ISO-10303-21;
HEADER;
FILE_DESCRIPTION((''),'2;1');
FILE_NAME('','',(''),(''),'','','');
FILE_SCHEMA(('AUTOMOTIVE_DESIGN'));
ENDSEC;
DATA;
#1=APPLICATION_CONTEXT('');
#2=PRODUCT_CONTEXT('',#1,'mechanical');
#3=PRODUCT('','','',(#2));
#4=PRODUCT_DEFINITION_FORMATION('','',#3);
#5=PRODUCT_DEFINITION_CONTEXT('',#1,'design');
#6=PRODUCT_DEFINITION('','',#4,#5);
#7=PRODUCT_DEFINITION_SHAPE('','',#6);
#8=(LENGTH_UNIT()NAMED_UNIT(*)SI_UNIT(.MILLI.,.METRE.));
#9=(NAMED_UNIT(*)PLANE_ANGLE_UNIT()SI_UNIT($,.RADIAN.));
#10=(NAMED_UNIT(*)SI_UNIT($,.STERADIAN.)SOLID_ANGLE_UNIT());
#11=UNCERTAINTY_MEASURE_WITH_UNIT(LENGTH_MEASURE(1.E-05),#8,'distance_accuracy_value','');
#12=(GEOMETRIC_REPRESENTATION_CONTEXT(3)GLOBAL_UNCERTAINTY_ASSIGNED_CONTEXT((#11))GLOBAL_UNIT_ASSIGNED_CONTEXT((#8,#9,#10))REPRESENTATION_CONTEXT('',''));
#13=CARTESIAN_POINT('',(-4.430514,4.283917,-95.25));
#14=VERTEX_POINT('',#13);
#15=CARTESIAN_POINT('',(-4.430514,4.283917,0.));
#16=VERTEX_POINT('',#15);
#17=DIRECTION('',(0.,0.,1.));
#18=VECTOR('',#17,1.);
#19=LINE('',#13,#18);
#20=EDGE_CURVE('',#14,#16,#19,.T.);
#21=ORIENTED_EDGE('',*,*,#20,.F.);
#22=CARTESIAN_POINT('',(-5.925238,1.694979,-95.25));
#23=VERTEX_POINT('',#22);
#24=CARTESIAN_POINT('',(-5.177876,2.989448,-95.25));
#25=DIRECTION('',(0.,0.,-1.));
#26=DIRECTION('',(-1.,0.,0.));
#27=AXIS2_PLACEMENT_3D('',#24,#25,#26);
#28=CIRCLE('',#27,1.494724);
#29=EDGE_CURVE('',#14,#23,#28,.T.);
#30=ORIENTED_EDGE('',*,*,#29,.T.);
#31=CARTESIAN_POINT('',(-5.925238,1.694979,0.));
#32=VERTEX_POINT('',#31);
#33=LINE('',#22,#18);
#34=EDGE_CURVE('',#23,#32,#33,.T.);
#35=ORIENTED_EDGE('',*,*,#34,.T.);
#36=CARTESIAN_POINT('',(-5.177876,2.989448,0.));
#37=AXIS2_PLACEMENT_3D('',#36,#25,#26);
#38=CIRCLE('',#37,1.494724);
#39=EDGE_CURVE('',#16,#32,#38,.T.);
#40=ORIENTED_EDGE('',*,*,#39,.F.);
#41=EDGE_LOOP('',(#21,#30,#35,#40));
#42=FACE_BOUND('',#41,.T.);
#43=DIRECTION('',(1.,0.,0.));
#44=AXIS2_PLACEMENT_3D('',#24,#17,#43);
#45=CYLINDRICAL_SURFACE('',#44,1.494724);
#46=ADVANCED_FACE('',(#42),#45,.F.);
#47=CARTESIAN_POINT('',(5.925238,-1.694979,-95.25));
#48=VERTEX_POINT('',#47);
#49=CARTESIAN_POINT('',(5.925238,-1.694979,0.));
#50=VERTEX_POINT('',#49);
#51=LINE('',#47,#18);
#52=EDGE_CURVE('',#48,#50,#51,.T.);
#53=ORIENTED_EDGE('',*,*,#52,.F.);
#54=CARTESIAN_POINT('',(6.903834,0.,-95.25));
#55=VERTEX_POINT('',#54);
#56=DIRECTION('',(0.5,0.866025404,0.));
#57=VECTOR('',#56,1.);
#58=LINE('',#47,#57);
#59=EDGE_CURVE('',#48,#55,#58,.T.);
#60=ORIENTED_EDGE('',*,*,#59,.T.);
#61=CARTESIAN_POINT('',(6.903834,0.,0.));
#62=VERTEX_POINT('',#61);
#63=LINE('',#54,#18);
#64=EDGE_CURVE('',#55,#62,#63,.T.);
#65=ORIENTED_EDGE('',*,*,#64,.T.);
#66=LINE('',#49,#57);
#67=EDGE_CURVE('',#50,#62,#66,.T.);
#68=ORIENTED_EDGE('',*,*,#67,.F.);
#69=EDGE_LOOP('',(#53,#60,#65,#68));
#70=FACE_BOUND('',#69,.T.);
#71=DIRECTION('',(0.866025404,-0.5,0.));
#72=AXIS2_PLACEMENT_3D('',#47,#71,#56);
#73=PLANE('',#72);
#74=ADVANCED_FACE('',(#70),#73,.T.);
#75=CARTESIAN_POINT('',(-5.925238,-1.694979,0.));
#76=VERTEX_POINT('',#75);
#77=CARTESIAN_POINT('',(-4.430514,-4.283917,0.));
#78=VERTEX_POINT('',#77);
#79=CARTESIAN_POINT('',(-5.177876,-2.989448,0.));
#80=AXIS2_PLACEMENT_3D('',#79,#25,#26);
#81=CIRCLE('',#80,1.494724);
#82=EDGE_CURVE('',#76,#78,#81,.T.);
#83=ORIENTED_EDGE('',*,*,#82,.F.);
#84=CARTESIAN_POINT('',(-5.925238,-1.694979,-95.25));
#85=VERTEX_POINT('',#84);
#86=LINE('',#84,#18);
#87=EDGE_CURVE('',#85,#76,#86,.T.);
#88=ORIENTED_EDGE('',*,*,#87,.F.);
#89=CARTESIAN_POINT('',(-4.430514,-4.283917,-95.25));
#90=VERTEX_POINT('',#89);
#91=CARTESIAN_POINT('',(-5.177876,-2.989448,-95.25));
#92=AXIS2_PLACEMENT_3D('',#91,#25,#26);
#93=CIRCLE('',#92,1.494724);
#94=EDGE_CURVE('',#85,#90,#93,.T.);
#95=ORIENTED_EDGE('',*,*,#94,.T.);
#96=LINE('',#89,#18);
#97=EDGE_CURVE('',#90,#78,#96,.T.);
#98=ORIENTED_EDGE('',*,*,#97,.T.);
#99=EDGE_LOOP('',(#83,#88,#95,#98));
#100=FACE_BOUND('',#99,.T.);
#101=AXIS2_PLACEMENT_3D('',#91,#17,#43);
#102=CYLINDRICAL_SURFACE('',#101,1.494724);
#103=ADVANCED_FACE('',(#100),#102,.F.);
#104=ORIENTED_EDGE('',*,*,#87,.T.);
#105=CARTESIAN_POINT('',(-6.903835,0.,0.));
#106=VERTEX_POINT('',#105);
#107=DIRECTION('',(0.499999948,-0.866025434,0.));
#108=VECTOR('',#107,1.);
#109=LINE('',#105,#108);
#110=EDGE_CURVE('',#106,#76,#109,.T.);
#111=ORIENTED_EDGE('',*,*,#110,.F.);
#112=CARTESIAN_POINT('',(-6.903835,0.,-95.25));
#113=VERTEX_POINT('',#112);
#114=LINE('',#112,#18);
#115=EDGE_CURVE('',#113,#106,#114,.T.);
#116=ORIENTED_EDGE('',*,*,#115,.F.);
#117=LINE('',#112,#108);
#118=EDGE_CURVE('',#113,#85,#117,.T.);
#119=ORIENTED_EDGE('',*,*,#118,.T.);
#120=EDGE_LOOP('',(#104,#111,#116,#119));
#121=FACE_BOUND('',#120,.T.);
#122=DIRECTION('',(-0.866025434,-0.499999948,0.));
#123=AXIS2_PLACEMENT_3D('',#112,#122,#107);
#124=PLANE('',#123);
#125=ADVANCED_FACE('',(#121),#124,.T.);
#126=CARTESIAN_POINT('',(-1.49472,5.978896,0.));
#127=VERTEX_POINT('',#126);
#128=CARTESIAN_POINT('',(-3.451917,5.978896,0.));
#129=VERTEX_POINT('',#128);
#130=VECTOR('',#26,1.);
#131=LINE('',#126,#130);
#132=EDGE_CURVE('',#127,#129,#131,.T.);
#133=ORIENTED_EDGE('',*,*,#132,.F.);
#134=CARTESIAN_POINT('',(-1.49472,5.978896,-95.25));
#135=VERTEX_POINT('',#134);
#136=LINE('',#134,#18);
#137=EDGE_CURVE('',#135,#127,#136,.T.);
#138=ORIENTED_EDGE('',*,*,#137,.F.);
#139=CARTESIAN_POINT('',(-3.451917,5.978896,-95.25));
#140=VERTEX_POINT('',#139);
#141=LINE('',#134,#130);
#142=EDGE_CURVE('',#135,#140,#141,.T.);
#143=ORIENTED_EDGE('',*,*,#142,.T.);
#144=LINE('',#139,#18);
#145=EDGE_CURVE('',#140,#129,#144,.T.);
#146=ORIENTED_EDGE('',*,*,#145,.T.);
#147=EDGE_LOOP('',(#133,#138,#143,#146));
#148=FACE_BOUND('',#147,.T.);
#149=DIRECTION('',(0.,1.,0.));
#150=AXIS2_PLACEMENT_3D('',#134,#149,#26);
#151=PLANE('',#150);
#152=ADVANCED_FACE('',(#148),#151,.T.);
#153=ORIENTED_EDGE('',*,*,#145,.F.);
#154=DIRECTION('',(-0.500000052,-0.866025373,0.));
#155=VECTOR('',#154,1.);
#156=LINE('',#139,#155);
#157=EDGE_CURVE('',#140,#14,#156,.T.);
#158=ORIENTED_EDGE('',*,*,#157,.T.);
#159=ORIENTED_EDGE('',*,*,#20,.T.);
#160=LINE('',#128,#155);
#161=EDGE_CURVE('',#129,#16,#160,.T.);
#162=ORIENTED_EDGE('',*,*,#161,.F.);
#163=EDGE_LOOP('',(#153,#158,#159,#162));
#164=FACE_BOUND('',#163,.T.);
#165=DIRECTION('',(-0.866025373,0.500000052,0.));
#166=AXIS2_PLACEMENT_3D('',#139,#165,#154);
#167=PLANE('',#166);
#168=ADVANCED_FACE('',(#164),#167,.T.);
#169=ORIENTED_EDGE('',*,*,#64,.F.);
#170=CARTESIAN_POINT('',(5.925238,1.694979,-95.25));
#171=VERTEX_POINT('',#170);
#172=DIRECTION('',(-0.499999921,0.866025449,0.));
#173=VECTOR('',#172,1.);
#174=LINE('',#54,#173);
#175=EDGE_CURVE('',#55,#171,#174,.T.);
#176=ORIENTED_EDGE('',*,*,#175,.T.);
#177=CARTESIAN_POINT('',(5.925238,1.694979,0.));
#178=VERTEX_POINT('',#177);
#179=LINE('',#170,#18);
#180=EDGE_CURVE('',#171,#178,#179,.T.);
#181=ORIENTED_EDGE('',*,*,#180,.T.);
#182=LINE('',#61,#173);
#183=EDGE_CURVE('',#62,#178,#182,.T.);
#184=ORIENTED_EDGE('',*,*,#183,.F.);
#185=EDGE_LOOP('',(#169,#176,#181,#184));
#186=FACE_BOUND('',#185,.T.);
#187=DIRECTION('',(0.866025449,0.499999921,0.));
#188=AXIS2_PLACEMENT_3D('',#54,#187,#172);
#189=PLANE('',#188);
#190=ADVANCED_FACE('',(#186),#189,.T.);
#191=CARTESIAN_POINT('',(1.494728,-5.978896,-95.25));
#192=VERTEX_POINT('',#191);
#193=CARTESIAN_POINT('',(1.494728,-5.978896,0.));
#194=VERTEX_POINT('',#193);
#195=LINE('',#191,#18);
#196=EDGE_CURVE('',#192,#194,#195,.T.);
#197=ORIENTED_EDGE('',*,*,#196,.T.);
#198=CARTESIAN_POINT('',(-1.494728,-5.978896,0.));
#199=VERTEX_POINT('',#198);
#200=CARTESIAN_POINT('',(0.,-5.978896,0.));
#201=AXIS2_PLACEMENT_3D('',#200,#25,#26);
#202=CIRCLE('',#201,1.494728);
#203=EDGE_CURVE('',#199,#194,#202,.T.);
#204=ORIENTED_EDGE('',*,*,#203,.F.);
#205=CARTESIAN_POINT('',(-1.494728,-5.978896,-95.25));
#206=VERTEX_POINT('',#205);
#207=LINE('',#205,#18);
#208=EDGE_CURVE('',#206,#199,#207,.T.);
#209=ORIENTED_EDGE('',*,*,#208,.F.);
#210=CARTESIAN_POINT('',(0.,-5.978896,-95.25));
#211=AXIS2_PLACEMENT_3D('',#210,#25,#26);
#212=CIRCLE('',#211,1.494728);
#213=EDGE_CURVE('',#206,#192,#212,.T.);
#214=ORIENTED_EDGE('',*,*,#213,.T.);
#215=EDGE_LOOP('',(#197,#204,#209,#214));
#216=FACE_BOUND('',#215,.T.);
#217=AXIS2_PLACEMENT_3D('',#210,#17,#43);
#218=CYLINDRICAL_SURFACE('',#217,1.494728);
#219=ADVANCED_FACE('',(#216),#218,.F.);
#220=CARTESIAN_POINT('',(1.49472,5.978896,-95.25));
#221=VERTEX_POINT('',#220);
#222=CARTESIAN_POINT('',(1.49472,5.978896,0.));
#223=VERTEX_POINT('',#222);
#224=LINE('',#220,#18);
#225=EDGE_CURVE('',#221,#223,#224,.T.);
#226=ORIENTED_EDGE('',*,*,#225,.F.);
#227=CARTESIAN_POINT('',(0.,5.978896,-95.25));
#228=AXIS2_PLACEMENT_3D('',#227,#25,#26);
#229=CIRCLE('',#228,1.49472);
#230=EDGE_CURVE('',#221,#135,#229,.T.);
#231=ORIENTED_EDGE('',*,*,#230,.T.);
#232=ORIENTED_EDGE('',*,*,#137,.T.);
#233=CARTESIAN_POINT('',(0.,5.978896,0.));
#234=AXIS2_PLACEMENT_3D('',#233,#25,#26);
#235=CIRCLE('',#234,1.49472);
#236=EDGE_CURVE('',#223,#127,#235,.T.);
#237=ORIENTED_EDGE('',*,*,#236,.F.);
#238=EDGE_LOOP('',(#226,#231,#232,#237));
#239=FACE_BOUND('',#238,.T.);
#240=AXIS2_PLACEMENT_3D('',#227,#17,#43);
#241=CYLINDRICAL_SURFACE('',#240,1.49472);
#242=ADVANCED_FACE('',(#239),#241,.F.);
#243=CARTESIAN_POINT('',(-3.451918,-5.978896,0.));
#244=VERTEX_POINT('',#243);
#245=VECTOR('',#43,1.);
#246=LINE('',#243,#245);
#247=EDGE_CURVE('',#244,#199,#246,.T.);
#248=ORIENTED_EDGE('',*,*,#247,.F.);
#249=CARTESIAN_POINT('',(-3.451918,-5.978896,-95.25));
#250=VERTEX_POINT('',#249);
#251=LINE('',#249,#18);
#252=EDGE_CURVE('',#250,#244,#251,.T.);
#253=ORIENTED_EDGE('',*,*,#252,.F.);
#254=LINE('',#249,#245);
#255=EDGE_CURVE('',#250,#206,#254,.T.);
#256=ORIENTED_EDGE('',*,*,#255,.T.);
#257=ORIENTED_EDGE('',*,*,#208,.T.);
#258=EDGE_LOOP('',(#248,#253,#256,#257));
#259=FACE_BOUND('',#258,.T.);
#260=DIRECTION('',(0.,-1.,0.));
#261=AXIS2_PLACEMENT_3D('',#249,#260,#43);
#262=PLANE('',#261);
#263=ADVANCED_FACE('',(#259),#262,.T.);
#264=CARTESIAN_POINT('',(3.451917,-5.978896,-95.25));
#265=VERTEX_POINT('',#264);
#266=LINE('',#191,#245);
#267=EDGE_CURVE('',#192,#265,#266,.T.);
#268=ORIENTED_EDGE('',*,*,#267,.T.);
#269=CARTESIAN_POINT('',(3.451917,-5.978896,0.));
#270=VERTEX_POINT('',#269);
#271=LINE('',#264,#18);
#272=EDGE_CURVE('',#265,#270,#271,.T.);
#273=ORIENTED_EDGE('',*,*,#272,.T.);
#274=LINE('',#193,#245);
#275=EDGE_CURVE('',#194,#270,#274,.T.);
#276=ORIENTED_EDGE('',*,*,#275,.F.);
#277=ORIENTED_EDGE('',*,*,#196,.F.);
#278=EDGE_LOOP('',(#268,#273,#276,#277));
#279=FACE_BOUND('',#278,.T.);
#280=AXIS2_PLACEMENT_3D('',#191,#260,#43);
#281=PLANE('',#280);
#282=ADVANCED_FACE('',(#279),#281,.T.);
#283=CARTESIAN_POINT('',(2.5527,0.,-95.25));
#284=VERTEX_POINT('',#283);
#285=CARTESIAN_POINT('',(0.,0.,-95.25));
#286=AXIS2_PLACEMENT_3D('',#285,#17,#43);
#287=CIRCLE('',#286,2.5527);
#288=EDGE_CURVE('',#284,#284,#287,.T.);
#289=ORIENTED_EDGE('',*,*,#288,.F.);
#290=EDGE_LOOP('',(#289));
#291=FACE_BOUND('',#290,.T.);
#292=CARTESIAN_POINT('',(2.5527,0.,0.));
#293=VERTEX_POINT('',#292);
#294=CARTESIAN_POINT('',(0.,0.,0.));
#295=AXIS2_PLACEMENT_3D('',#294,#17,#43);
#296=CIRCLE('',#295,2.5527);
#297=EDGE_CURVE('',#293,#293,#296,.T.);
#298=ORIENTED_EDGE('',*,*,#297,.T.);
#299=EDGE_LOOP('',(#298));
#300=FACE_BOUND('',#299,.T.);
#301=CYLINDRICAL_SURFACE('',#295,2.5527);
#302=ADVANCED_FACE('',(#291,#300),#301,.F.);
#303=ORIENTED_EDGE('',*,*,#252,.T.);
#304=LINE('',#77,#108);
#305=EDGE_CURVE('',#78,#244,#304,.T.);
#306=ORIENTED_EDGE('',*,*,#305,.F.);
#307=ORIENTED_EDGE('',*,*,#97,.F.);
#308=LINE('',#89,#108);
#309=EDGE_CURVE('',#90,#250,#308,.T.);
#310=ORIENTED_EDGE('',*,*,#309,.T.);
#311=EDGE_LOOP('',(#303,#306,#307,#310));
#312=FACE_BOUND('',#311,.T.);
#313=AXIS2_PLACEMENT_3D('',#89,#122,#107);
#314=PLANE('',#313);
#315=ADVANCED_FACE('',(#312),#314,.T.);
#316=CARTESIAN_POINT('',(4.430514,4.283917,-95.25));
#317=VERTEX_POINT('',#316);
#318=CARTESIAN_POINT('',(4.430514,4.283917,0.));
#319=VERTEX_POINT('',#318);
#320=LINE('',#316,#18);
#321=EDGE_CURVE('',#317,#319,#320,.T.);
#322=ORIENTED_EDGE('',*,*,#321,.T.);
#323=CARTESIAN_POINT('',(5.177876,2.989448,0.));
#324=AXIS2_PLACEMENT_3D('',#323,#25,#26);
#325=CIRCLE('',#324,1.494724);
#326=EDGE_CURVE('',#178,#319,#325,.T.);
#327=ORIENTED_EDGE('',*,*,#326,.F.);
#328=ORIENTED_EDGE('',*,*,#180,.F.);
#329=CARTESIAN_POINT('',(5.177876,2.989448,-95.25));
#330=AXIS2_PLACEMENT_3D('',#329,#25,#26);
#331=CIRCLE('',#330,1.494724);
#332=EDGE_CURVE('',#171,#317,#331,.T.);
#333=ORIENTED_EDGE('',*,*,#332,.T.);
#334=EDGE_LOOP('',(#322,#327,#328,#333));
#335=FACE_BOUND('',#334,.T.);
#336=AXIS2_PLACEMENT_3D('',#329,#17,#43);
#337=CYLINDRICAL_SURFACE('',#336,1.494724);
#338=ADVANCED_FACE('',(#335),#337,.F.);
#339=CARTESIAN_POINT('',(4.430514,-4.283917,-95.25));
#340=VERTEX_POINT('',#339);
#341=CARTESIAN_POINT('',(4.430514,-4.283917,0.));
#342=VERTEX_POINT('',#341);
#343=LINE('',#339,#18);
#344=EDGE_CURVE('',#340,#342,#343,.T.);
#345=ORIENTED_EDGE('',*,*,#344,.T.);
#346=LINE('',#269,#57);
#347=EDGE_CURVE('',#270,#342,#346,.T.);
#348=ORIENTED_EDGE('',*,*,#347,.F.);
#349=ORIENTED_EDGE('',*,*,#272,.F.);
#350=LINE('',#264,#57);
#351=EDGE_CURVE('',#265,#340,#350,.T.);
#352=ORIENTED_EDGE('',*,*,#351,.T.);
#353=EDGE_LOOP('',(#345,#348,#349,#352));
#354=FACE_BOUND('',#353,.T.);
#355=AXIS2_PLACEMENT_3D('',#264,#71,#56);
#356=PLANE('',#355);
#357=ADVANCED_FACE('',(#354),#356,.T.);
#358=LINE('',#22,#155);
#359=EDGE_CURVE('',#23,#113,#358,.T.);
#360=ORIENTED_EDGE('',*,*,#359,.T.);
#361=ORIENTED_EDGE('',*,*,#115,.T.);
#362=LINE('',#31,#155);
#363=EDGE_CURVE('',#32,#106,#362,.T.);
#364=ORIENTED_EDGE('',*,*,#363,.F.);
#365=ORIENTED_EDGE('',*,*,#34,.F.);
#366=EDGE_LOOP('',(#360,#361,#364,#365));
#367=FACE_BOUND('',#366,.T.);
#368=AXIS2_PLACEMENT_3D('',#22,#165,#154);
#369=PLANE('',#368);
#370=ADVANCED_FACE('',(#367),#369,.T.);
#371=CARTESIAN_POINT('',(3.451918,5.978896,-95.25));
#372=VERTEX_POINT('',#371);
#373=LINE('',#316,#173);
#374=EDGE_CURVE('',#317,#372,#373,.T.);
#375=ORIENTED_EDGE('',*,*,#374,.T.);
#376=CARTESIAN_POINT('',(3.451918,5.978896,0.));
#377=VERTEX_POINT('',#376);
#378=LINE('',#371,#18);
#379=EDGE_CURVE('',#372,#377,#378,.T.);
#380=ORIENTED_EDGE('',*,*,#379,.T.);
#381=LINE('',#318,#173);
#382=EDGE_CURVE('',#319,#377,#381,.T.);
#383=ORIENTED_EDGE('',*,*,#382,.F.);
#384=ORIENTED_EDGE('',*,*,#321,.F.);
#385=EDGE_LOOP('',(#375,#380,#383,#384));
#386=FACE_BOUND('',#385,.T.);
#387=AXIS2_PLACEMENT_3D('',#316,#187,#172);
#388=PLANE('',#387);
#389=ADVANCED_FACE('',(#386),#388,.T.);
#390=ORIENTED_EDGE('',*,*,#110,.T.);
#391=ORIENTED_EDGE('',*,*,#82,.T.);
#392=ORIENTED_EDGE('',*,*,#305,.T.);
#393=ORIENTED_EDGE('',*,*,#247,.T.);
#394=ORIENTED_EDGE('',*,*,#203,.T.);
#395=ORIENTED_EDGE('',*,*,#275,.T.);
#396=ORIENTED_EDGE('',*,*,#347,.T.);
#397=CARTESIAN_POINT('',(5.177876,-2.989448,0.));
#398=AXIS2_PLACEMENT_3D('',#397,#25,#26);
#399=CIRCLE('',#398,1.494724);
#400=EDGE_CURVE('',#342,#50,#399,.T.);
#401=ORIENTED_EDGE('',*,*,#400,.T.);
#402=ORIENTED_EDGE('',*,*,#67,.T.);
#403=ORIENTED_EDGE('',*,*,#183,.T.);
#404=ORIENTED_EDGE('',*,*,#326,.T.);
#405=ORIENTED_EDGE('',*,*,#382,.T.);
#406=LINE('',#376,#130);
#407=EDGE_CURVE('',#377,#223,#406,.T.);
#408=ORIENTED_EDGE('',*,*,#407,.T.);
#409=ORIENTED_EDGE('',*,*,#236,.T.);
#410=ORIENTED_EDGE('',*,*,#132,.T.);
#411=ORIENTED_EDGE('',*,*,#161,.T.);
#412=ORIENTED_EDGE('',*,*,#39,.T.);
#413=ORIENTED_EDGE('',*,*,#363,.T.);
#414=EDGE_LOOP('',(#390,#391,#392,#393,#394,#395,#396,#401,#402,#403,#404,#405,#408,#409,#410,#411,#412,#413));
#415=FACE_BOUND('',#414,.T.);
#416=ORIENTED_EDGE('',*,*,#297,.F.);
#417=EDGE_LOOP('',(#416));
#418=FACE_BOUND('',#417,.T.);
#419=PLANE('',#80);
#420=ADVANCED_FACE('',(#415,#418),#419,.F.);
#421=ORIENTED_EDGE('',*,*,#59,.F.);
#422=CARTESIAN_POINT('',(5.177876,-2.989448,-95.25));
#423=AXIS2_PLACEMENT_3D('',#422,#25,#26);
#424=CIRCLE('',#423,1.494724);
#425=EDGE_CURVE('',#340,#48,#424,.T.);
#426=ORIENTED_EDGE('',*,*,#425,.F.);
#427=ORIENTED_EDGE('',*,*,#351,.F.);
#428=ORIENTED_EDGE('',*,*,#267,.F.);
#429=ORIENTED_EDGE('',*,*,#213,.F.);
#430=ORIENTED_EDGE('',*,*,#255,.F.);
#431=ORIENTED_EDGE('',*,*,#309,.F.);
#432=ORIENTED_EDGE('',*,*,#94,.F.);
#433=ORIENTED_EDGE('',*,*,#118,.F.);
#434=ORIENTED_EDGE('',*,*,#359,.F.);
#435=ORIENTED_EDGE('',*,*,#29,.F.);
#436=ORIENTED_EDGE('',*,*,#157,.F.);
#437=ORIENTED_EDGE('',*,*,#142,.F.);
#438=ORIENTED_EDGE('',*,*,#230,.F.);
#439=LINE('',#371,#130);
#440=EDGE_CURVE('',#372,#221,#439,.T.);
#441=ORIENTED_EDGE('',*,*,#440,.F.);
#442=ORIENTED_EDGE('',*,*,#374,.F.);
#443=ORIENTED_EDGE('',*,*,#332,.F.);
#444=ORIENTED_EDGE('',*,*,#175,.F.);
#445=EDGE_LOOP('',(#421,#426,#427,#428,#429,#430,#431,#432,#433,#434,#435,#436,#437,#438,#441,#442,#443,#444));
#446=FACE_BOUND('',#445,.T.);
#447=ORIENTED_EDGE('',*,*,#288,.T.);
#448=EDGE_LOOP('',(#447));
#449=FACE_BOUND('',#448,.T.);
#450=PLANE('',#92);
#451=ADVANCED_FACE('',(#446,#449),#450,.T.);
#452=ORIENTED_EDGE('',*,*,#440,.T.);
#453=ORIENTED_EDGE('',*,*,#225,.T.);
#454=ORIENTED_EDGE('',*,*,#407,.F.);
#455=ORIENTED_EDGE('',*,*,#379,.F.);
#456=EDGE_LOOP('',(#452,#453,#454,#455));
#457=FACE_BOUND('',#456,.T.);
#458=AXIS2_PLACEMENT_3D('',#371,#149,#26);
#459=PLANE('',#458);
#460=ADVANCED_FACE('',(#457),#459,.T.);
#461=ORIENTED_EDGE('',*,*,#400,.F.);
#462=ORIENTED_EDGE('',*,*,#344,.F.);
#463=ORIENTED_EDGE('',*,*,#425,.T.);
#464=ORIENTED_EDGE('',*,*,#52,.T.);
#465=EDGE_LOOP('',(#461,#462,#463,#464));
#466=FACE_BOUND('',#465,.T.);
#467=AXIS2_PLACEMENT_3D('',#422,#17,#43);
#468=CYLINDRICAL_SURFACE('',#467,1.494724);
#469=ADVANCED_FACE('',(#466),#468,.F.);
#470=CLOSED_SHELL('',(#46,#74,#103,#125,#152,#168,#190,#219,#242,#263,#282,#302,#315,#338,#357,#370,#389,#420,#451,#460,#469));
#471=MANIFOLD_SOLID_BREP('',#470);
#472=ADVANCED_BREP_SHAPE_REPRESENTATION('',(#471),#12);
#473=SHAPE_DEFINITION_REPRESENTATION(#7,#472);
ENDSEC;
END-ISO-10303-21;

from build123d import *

# Parameters (mm, degrees)
SKETCH1_R               = 1.5875
BOSS_EXTRUDE1_DEPTH     = 95.25
F_1_4_20_TAPPED_HOLE2_D = 5.1054


with BuildPart() as part:
    # Sketch1 → Boss-Extrude1 (new body)
    with BuildSketch(Plane.XY):
        with BuildLine():
            Line((-4.430514159, -4.283916762), (-3.451917569, -5.978896013))
            Line((-3.451917569, -5.978896013), (-1.49472801, -5.978896013))
            ThreePointArc((-1.49472801, -5.978896013), (-3.62e-07, -4.484168365), (1.49472801, -5.978896013))
            Line((1.49472801, -5.978896013), (3.451916913, -5.978896013))
            Line((3.451916913, -5.978896013), (4.430513537, -4.28391694))
            ThreePointArc((4.430513537, -4.28391694), (3.883406572, -2.242085948), (5.925237563, -1.694978983))
            Line((5.925237563, -1.694978983), (6.903834188, 9.1e-08))
            Line((6.903834188, 9.1e-08), (5.925237797, 1.694979115))
            ThreePointArc((5.925237797, 1.694979115), (3.883406856, 2.242086266), (4.430514007, 4.283917207))
            Line((4.430514007, 4.283917207), (3.451917569, 5.978896313))
            Line((3.451917569, 5.978896313), (1.494720042, 5.978896313))
            ThreePointArc((1.494720042, 5.978896313), (3.62e-07, 4.484176634), (-1.494720042, 5.978896313))
            Line((-1.494720042, 5.978896313), (-3.451916913, 5.978896313))
            Line((-3.451916913, 5.978896313), (-4.43051364, 4.283917299))
            ThreePointArc((-4.43051364, 4.283917299), (-3.883406799, 2.242086274), (-5.925237823, 1.694979433))
            Line((-5.925237823, 1.694979433), (-6.90383455, 4.18e-07))
            Line((-6.90383455, 4.18e-07), (-5.925238028, -1.694978715))
            ThreePointArc((-5.925238028, -1.694978715), (-3.88340707, -2.242085804), (-4.430514159, -4.283916762))
        make_face()
        Circle(SKETCH1_R, mode=Mode.SUBTRACT)
    extrude(amount=-BOSS_EXTRUDE1_DEPTH)

    # 1/4-20 Tapped Hole2 (through all)
    with Locations(Plane.XY):
        with Locations((0, 0)):
            Hole(F_1_4_20_TAPPED_HOLE2_D / 2)


solid = part.part
